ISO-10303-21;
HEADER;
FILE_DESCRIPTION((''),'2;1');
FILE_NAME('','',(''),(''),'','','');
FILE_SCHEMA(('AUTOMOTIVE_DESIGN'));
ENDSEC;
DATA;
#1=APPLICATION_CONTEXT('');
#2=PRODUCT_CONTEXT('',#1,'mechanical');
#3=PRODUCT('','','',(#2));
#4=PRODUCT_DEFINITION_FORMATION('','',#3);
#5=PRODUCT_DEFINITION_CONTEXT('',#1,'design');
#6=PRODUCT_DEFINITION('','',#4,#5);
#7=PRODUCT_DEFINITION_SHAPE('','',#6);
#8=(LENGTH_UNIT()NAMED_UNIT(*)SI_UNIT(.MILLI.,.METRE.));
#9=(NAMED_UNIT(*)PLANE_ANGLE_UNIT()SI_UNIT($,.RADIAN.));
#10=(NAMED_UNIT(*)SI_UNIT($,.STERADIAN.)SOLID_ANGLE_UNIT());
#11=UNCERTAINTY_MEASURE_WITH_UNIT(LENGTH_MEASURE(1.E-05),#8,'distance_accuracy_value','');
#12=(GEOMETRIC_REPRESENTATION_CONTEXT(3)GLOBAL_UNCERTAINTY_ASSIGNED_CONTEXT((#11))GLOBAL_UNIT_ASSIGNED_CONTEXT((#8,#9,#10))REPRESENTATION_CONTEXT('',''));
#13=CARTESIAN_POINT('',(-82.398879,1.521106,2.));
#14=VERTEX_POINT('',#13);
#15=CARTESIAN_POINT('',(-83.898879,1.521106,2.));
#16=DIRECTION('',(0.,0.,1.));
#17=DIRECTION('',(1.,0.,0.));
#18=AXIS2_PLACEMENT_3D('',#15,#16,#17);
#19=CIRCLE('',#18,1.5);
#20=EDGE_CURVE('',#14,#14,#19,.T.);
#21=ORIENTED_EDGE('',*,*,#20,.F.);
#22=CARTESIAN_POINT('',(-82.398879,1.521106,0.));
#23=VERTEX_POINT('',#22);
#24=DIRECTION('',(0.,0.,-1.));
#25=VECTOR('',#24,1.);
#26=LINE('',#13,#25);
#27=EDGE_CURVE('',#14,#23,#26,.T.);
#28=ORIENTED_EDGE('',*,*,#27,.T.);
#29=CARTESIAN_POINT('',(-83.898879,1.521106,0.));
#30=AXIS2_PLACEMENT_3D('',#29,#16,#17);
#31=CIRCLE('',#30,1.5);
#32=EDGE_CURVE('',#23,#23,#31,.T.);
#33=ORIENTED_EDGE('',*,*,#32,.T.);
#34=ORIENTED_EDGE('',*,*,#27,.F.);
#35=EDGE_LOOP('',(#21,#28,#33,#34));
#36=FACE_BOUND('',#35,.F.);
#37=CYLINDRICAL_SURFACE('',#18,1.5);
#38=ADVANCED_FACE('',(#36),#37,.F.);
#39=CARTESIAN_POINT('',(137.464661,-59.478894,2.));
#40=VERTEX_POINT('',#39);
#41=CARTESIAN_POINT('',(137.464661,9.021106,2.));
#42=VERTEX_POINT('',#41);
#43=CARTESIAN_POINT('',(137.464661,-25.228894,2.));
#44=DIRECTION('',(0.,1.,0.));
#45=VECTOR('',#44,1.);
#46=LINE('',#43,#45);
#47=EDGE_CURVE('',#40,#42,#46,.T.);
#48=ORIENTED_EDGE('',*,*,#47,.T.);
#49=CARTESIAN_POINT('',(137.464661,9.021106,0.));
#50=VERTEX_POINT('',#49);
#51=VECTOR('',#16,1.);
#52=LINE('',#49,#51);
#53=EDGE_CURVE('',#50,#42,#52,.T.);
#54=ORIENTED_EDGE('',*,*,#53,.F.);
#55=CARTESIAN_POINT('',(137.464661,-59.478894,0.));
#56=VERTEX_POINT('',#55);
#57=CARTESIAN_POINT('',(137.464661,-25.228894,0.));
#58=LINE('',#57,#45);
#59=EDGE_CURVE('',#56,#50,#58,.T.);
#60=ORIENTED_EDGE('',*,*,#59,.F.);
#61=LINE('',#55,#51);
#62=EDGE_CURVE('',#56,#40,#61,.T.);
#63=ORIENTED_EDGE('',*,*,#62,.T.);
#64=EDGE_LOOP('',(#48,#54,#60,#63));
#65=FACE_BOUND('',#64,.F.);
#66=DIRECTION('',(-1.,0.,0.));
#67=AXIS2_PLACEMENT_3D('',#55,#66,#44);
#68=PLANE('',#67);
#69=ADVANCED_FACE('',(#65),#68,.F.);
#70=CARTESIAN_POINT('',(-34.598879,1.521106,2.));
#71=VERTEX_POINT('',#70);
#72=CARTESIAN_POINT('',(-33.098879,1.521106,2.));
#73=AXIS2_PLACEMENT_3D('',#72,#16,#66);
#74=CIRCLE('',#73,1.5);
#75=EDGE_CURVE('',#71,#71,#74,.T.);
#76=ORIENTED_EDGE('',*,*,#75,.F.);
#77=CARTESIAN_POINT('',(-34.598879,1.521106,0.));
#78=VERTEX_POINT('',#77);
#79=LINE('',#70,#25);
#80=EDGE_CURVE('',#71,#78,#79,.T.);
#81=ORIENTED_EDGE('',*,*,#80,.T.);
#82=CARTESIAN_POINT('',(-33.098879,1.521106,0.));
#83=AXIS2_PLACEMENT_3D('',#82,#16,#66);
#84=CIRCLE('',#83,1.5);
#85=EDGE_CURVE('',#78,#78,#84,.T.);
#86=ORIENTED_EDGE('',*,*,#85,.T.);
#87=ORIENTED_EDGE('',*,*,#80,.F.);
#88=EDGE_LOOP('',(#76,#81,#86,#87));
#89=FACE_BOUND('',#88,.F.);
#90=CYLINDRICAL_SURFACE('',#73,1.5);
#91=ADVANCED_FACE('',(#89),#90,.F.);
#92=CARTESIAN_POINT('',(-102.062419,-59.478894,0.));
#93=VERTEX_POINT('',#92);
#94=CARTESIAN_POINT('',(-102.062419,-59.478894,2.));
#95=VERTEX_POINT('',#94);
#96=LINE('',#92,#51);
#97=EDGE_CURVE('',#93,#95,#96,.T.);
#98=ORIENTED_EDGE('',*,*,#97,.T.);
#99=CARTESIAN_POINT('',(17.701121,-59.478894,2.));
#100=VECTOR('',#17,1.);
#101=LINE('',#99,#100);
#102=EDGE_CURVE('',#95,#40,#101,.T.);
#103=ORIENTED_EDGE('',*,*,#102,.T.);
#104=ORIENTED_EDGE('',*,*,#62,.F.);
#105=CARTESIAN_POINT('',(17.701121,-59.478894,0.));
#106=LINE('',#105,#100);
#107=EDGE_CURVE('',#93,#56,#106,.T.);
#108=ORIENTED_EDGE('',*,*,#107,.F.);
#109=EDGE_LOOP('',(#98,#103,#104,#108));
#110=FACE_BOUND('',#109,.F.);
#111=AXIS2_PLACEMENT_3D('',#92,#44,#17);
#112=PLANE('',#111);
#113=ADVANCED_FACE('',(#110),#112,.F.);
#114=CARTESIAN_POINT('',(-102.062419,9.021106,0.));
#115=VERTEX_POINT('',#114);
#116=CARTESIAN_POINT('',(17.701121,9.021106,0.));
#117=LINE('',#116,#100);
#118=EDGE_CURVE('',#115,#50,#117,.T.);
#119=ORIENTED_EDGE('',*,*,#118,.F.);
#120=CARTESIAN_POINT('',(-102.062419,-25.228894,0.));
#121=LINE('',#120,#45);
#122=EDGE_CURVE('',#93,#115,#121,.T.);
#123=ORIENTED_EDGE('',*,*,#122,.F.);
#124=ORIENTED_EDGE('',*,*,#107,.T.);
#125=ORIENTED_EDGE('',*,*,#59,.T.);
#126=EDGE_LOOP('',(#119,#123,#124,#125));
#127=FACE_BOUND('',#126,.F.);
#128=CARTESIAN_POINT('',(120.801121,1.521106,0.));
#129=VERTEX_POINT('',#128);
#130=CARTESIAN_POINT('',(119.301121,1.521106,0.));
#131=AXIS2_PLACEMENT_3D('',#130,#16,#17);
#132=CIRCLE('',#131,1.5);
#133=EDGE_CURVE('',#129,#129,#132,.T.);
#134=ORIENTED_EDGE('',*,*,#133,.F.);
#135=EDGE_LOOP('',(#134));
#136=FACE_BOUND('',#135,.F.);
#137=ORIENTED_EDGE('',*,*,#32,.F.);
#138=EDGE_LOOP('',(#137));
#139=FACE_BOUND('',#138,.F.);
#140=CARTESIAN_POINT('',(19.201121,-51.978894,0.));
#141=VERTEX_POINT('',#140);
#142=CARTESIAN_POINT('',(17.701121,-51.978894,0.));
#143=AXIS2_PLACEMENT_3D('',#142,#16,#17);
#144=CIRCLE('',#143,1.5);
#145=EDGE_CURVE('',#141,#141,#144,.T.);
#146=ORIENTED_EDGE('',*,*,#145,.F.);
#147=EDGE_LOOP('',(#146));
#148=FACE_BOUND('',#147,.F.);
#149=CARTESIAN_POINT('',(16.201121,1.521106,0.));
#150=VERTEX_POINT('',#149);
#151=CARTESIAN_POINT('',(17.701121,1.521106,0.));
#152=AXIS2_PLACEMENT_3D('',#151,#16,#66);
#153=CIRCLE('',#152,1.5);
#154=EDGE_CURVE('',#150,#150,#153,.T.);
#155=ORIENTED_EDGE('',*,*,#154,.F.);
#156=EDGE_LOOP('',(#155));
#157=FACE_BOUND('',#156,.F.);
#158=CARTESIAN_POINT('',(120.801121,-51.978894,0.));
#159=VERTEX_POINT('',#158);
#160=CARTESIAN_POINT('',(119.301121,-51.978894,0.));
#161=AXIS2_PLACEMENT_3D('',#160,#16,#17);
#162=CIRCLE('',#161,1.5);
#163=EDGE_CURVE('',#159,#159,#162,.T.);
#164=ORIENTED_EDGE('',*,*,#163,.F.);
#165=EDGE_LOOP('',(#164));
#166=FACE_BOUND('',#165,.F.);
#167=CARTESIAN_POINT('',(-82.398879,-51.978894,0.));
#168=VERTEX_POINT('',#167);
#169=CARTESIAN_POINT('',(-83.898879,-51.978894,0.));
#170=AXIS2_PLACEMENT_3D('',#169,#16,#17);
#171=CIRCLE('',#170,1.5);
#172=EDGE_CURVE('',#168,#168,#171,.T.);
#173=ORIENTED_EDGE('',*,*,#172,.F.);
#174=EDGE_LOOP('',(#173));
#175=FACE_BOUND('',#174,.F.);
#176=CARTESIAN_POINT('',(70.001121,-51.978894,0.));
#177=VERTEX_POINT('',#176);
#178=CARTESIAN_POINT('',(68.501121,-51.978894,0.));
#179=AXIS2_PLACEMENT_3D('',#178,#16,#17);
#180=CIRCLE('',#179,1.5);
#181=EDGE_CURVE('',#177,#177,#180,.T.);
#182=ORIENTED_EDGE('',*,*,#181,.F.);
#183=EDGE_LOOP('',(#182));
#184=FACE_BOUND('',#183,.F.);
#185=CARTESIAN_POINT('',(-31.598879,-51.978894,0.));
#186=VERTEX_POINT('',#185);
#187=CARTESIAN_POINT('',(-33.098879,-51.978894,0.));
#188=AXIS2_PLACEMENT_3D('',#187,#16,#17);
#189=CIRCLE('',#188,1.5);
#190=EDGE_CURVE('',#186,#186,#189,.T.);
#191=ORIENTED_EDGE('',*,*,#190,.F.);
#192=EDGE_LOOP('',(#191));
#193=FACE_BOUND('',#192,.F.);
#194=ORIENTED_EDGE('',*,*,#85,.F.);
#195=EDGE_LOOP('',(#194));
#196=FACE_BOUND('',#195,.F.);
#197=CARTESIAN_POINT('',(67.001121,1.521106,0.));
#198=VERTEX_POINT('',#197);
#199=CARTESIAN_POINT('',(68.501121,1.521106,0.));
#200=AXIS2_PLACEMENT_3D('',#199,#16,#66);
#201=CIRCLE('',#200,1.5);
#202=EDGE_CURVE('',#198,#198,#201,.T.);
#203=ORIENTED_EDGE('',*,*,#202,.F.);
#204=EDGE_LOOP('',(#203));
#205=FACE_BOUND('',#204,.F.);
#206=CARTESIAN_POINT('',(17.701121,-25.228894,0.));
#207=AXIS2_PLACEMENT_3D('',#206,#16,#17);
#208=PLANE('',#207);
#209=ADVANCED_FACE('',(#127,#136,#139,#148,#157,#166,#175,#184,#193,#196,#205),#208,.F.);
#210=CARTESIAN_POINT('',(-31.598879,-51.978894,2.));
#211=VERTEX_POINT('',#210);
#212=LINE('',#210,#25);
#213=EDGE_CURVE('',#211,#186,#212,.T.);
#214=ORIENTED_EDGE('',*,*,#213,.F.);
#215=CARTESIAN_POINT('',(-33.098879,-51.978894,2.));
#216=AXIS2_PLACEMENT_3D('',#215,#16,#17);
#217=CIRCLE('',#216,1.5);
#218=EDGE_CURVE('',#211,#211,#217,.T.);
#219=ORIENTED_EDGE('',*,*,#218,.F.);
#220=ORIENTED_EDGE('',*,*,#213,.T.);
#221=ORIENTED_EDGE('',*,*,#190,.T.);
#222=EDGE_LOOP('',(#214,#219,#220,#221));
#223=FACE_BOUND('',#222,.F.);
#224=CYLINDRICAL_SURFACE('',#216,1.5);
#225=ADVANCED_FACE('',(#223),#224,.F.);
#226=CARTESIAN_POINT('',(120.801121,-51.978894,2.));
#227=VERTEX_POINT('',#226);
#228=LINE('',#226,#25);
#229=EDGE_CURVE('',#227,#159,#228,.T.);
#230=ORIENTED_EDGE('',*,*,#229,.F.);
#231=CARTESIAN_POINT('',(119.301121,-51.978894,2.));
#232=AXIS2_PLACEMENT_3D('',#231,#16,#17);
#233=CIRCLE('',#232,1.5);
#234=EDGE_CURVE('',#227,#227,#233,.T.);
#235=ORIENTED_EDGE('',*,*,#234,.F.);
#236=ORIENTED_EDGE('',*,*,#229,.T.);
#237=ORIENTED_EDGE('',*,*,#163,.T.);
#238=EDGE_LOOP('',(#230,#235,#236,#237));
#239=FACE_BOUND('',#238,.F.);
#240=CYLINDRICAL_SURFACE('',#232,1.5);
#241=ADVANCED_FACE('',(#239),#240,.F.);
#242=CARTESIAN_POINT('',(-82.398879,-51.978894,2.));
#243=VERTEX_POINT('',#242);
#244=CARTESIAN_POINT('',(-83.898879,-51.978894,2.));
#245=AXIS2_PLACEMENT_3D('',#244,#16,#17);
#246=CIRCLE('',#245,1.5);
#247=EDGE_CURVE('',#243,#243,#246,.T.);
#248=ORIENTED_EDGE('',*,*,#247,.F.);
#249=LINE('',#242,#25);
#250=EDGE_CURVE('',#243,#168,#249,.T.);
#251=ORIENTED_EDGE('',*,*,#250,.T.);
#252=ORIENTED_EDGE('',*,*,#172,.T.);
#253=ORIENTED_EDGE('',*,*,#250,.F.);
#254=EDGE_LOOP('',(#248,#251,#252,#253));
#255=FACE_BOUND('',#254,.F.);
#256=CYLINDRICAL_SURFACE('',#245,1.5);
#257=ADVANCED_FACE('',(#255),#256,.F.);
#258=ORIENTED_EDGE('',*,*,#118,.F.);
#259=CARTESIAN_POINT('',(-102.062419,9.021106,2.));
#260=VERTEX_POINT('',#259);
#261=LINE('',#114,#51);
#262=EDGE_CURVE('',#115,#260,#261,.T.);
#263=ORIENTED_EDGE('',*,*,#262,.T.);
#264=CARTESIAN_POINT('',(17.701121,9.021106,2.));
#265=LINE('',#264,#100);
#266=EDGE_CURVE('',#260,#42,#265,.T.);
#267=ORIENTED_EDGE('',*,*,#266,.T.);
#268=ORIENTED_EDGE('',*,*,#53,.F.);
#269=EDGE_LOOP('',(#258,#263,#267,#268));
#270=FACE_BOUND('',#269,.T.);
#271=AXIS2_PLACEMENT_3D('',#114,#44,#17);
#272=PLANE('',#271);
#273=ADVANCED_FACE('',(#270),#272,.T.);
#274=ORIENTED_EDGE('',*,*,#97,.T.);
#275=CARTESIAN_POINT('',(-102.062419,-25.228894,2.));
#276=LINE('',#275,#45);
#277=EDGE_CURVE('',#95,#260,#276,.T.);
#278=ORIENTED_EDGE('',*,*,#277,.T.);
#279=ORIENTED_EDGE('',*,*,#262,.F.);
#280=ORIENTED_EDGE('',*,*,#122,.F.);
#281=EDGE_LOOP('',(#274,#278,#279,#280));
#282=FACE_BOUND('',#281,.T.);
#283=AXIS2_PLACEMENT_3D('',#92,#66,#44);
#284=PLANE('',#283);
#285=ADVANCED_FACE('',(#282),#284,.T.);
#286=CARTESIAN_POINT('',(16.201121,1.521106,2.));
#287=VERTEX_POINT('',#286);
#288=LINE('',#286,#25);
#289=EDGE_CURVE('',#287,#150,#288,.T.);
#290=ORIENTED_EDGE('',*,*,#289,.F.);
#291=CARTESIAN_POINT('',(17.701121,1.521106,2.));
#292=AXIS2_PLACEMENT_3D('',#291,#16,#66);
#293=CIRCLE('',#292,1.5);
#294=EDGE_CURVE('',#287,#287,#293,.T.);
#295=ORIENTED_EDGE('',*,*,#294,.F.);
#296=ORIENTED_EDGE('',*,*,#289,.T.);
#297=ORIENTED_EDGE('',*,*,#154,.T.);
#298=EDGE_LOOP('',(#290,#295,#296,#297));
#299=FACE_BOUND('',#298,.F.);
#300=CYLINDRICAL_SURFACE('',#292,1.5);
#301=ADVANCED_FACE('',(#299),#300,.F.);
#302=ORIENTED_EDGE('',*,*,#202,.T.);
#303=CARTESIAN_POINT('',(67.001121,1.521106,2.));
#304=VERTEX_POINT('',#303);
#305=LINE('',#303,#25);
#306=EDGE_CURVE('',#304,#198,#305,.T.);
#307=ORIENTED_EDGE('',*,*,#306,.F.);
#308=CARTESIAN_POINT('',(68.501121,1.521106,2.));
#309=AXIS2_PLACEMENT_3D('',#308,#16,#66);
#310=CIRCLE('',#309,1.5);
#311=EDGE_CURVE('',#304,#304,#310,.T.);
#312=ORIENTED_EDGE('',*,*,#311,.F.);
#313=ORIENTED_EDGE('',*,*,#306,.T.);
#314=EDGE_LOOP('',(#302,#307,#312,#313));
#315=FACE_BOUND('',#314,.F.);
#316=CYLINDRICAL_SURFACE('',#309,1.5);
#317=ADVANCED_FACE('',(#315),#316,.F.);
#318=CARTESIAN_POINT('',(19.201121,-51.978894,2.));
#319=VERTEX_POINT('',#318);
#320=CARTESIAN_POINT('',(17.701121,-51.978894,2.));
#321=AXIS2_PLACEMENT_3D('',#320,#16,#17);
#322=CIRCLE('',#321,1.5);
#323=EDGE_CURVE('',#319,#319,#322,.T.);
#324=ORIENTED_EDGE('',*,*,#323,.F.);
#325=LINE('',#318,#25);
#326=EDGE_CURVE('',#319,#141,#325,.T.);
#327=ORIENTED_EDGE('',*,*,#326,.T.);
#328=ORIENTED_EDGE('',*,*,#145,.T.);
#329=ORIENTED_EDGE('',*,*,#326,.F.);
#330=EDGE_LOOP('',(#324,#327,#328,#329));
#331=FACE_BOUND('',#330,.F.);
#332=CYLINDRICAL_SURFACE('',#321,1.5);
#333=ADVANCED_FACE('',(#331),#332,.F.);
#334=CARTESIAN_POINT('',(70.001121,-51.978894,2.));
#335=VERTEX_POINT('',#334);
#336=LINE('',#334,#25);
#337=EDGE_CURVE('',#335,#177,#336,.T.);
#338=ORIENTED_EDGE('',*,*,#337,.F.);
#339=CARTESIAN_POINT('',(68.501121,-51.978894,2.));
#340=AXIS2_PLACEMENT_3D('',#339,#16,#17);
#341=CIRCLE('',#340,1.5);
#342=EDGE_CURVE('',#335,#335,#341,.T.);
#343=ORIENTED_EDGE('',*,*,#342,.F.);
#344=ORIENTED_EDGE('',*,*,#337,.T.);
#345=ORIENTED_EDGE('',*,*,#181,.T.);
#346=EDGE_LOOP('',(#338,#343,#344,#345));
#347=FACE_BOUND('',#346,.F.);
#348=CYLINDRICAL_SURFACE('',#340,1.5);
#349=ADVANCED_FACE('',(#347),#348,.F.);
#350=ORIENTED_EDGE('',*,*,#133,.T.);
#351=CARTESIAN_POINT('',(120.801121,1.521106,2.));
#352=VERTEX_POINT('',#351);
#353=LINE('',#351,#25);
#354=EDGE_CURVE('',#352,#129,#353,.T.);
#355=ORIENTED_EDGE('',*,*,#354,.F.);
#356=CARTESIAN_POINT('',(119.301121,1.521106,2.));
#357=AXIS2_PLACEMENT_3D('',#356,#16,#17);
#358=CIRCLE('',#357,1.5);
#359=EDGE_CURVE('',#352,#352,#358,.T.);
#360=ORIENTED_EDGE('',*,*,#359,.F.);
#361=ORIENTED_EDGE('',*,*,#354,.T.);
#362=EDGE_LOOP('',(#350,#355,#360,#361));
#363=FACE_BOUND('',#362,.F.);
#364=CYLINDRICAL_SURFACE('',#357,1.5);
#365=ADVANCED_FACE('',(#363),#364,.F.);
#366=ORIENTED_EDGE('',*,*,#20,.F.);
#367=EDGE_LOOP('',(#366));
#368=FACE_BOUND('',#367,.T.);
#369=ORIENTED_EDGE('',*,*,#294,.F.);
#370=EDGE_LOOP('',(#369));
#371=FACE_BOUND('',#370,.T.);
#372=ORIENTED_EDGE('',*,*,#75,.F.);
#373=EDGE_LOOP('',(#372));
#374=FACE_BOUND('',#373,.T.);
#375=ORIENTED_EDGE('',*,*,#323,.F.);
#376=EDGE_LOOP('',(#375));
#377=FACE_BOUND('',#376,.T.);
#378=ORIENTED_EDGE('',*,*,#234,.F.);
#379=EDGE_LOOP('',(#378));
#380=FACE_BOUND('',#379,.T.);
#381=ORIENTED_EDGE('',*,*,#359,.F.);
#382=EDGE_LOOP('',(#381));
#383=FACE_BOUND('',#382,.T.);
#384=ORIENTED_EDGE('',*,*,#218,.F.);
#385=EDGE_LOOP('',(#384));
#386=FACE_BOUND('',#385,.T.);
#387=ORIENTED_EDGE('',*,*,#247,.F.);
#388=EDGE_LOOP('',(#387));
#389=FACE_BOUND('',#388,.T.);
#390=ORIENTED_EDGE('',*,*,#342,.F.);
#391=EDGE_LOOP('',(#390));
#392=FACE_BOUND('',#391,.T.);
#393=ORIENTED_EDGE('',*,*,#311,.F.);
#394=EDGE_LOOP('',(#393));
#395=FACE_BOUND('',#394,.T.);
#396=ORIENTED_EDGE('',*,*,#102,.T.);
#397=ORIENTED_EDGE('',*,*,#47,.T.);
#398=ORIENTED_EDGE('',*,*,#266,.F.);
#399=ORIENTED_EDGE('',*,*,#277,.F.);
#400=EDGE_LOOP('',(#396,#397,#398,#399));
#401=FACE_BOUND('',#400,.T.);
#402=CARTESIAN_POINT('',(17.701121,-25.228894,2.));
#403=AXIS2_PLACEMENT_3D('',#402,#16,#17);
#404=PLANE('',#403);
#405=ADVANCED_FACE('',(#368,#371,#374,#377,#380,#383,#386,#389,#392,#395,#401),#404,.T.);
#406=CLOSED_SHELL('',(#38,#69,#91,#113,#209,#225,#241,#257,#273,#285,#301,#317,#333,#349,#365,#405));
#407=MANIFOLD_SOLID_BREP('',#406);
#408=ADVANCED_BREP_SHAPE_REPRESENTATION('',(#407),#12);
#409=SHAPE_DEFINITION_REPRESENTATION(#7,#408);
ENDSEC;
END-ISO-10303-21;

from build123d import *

# Parameters (mm, degrees)
F0_W     = 239.52708
F0_H     = 68.5
F1_DEPTH = 2
F2_R     = 1.5
F3_DEPTH = 2.001


with BuildPart() as f1:
    # F0 (on Top) → F1 (new body)
    with BuildSketch(Plane.XY):
        with Locations((17.701121, -25.228894)):
            Rectangle(F0_W, F0_H)
    extrude(amount=F1_DEPTH)

    # F2 (on face) → F3 (cut, through all)
    with BuildSketch(Plane.XY.offset(2)):
        with BuildLine():
            ThreePointArc((70.001121, 1.521106), (68.501121, 3.021106), (67.001121, 1.521106))
            Line((67.001121, 1.521106), (70.001121, 1.521106))
        make_face()
        with BuildLine():
            Line((70.001121, 1.521106), (67.001121, 1.521106))
            ThreePointArc((67.001121, 1.521106), (68.501121, 0.021106), (70.001121, 1.521106))
        make_face()
        with BuildLine():
            ThreePointArc((19.201121, 1.521106), (17.701121, 3.021106), (16.201121, 1.521106))
            Line((16.201121, 1.521106), (19.201121, 1.521106))
        make_face()
        with BuildLine():
            Line((19.201121, 1.521106), (16.201121, 1.521106))
            ThreePointArc((16.201121, 1.521106), (17.701121, 0.021106), (19.201121, 1.521106))
        make_face()
        with BuildLine():
            ThreePointArc((-31.598879, 1.521106), (-33.098879, 3.021106), (-34.598879, 1.521106))
            Line((-34.598879, 1.521106), (-31.598879, 1.521106))
        make_face()
        with BuildLine():
            Line((-31.598879, 1.521106), (-34.598879, 1.521106))
            ThreePointArc((-34.598879, 1.521106), (-33.098879, 0.021106), (-31.598879, 1.521106))
        make_face()
        with BuildLine():
            ThreePointArc((-85.398879, 1.521106), (-83.898879, 0.021106), (-82.398879, 1.521106))
            Line((-82.398879, 1.521106), (-85.398879, 1.521106))
        make_face()
        with BuildLine():
            Line((-85.398879, 1.521106), (-82.398879, 1.521106))
            ThreePointArc((-82.398879, 1.521106), (-83.898879, 3.021106), (-85.398879, 1.521106))
        make_face()
        with Locations((119.301121, 1.521106)):
            Circle(F2_R)
        with Locations((119.301121, -51.978894)):
            Circle(F2_R)
        with Locations((68.501121, -51.978894)):
            Circle(F2_R)
        with Locations((17.701121, -51.978894)):
            Circle(F2_R)
        with Locations((-33.098879, -51.978894)):
            Circle(F2_R)
        with Locations((-83.898879, -51.978894)):
            Circle(F2_R)
    extrude(amount=-F3_DEPTH, mode=Mode.SUBTRACT)


solid = f1.part
